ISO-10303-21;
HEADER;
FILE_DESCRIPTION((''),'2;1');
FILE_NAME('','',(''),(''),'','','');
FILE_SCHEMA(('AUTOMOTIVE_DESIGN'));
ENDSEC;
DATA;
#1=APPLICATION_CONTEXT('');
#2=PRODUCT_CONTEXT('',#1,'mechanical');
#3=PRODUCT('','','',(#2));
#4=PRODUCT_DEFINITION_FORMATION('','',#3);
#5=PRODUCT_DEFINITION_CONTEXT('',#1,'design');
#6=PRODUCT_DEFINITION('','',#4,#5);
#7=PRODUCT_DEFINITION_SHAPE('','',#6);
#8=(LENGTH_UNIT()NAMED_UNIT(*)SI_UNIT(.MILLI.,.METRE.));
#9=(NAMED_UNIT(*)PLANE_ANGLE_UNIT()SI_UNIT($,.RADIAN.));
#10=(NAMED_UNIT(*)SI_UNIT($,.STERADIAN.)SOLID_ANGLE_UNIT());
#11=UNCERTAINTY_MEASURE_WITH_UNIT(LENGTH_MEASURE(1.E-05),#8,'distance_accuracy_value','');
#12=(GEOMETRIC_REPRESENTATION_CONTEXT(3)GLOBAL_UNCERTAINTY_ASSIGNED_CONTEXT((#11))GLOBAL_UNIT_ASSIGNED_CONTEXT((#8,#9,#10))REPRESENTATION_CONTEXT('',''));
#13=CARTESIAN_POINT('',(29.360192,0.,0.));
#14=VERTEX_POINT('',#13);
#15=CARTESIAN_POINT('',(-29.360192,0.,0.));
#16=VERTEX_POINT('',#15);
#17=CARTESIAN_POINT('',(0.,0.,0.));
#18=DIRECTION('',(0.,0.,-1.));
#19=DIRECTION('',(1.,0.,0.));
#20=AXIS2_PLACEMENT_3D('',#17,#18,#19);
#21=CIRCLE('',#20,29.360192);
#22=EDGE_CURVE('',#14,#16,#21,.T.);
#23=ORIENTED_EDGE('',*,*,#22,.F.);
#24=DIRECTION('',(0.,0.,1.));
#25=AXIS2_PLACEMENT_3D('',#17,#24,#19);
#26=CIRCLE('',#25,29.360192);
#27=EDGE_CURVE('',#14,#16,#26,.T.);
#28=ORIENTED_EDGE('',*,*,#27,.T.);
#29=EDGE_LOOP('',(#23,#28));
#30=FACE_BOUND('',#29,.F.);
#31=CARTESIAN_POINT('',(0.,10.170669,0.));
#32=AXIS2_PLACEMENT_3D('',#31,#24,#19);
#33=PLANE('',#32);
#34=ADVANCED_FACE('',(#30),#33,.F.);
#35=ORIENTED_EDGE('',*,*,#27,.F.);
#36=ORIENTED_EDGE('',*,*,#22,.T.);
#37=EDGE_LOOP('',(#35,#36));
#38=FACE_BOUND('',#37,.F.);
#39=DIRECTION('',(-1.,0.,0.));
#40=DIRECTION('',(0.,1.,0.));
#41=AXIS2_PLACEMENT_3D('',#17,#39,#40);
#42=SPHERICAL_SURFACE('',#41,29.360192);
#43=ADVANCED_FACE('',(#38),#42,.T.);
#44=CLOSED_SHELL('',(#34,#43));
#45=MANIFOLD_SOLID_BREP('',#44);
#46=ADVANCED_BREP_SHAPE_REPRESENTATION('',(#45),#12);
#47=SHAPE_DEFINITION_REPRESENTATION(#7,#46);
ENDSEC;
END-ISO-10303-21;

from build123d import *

# Parameters (mm, degrees)
F1_ANGLE = 180


with BuildPart() as f1:
    # F0 (on Top) → F1 (revolve)
    with BuildSketch(Plane.XY):
        with BuildLine():
            ThreePointArc((29.360192, 0), (0, 29.360192), (-29.360192, 0))
            Line((-29.360192, 0), (29.360192, 0))
        make_face()
    revolve(axis=Axis((0, 0, 0), (1, 0, 0)), revolution_arc=F1_ANGLE)


solid = f1.part
